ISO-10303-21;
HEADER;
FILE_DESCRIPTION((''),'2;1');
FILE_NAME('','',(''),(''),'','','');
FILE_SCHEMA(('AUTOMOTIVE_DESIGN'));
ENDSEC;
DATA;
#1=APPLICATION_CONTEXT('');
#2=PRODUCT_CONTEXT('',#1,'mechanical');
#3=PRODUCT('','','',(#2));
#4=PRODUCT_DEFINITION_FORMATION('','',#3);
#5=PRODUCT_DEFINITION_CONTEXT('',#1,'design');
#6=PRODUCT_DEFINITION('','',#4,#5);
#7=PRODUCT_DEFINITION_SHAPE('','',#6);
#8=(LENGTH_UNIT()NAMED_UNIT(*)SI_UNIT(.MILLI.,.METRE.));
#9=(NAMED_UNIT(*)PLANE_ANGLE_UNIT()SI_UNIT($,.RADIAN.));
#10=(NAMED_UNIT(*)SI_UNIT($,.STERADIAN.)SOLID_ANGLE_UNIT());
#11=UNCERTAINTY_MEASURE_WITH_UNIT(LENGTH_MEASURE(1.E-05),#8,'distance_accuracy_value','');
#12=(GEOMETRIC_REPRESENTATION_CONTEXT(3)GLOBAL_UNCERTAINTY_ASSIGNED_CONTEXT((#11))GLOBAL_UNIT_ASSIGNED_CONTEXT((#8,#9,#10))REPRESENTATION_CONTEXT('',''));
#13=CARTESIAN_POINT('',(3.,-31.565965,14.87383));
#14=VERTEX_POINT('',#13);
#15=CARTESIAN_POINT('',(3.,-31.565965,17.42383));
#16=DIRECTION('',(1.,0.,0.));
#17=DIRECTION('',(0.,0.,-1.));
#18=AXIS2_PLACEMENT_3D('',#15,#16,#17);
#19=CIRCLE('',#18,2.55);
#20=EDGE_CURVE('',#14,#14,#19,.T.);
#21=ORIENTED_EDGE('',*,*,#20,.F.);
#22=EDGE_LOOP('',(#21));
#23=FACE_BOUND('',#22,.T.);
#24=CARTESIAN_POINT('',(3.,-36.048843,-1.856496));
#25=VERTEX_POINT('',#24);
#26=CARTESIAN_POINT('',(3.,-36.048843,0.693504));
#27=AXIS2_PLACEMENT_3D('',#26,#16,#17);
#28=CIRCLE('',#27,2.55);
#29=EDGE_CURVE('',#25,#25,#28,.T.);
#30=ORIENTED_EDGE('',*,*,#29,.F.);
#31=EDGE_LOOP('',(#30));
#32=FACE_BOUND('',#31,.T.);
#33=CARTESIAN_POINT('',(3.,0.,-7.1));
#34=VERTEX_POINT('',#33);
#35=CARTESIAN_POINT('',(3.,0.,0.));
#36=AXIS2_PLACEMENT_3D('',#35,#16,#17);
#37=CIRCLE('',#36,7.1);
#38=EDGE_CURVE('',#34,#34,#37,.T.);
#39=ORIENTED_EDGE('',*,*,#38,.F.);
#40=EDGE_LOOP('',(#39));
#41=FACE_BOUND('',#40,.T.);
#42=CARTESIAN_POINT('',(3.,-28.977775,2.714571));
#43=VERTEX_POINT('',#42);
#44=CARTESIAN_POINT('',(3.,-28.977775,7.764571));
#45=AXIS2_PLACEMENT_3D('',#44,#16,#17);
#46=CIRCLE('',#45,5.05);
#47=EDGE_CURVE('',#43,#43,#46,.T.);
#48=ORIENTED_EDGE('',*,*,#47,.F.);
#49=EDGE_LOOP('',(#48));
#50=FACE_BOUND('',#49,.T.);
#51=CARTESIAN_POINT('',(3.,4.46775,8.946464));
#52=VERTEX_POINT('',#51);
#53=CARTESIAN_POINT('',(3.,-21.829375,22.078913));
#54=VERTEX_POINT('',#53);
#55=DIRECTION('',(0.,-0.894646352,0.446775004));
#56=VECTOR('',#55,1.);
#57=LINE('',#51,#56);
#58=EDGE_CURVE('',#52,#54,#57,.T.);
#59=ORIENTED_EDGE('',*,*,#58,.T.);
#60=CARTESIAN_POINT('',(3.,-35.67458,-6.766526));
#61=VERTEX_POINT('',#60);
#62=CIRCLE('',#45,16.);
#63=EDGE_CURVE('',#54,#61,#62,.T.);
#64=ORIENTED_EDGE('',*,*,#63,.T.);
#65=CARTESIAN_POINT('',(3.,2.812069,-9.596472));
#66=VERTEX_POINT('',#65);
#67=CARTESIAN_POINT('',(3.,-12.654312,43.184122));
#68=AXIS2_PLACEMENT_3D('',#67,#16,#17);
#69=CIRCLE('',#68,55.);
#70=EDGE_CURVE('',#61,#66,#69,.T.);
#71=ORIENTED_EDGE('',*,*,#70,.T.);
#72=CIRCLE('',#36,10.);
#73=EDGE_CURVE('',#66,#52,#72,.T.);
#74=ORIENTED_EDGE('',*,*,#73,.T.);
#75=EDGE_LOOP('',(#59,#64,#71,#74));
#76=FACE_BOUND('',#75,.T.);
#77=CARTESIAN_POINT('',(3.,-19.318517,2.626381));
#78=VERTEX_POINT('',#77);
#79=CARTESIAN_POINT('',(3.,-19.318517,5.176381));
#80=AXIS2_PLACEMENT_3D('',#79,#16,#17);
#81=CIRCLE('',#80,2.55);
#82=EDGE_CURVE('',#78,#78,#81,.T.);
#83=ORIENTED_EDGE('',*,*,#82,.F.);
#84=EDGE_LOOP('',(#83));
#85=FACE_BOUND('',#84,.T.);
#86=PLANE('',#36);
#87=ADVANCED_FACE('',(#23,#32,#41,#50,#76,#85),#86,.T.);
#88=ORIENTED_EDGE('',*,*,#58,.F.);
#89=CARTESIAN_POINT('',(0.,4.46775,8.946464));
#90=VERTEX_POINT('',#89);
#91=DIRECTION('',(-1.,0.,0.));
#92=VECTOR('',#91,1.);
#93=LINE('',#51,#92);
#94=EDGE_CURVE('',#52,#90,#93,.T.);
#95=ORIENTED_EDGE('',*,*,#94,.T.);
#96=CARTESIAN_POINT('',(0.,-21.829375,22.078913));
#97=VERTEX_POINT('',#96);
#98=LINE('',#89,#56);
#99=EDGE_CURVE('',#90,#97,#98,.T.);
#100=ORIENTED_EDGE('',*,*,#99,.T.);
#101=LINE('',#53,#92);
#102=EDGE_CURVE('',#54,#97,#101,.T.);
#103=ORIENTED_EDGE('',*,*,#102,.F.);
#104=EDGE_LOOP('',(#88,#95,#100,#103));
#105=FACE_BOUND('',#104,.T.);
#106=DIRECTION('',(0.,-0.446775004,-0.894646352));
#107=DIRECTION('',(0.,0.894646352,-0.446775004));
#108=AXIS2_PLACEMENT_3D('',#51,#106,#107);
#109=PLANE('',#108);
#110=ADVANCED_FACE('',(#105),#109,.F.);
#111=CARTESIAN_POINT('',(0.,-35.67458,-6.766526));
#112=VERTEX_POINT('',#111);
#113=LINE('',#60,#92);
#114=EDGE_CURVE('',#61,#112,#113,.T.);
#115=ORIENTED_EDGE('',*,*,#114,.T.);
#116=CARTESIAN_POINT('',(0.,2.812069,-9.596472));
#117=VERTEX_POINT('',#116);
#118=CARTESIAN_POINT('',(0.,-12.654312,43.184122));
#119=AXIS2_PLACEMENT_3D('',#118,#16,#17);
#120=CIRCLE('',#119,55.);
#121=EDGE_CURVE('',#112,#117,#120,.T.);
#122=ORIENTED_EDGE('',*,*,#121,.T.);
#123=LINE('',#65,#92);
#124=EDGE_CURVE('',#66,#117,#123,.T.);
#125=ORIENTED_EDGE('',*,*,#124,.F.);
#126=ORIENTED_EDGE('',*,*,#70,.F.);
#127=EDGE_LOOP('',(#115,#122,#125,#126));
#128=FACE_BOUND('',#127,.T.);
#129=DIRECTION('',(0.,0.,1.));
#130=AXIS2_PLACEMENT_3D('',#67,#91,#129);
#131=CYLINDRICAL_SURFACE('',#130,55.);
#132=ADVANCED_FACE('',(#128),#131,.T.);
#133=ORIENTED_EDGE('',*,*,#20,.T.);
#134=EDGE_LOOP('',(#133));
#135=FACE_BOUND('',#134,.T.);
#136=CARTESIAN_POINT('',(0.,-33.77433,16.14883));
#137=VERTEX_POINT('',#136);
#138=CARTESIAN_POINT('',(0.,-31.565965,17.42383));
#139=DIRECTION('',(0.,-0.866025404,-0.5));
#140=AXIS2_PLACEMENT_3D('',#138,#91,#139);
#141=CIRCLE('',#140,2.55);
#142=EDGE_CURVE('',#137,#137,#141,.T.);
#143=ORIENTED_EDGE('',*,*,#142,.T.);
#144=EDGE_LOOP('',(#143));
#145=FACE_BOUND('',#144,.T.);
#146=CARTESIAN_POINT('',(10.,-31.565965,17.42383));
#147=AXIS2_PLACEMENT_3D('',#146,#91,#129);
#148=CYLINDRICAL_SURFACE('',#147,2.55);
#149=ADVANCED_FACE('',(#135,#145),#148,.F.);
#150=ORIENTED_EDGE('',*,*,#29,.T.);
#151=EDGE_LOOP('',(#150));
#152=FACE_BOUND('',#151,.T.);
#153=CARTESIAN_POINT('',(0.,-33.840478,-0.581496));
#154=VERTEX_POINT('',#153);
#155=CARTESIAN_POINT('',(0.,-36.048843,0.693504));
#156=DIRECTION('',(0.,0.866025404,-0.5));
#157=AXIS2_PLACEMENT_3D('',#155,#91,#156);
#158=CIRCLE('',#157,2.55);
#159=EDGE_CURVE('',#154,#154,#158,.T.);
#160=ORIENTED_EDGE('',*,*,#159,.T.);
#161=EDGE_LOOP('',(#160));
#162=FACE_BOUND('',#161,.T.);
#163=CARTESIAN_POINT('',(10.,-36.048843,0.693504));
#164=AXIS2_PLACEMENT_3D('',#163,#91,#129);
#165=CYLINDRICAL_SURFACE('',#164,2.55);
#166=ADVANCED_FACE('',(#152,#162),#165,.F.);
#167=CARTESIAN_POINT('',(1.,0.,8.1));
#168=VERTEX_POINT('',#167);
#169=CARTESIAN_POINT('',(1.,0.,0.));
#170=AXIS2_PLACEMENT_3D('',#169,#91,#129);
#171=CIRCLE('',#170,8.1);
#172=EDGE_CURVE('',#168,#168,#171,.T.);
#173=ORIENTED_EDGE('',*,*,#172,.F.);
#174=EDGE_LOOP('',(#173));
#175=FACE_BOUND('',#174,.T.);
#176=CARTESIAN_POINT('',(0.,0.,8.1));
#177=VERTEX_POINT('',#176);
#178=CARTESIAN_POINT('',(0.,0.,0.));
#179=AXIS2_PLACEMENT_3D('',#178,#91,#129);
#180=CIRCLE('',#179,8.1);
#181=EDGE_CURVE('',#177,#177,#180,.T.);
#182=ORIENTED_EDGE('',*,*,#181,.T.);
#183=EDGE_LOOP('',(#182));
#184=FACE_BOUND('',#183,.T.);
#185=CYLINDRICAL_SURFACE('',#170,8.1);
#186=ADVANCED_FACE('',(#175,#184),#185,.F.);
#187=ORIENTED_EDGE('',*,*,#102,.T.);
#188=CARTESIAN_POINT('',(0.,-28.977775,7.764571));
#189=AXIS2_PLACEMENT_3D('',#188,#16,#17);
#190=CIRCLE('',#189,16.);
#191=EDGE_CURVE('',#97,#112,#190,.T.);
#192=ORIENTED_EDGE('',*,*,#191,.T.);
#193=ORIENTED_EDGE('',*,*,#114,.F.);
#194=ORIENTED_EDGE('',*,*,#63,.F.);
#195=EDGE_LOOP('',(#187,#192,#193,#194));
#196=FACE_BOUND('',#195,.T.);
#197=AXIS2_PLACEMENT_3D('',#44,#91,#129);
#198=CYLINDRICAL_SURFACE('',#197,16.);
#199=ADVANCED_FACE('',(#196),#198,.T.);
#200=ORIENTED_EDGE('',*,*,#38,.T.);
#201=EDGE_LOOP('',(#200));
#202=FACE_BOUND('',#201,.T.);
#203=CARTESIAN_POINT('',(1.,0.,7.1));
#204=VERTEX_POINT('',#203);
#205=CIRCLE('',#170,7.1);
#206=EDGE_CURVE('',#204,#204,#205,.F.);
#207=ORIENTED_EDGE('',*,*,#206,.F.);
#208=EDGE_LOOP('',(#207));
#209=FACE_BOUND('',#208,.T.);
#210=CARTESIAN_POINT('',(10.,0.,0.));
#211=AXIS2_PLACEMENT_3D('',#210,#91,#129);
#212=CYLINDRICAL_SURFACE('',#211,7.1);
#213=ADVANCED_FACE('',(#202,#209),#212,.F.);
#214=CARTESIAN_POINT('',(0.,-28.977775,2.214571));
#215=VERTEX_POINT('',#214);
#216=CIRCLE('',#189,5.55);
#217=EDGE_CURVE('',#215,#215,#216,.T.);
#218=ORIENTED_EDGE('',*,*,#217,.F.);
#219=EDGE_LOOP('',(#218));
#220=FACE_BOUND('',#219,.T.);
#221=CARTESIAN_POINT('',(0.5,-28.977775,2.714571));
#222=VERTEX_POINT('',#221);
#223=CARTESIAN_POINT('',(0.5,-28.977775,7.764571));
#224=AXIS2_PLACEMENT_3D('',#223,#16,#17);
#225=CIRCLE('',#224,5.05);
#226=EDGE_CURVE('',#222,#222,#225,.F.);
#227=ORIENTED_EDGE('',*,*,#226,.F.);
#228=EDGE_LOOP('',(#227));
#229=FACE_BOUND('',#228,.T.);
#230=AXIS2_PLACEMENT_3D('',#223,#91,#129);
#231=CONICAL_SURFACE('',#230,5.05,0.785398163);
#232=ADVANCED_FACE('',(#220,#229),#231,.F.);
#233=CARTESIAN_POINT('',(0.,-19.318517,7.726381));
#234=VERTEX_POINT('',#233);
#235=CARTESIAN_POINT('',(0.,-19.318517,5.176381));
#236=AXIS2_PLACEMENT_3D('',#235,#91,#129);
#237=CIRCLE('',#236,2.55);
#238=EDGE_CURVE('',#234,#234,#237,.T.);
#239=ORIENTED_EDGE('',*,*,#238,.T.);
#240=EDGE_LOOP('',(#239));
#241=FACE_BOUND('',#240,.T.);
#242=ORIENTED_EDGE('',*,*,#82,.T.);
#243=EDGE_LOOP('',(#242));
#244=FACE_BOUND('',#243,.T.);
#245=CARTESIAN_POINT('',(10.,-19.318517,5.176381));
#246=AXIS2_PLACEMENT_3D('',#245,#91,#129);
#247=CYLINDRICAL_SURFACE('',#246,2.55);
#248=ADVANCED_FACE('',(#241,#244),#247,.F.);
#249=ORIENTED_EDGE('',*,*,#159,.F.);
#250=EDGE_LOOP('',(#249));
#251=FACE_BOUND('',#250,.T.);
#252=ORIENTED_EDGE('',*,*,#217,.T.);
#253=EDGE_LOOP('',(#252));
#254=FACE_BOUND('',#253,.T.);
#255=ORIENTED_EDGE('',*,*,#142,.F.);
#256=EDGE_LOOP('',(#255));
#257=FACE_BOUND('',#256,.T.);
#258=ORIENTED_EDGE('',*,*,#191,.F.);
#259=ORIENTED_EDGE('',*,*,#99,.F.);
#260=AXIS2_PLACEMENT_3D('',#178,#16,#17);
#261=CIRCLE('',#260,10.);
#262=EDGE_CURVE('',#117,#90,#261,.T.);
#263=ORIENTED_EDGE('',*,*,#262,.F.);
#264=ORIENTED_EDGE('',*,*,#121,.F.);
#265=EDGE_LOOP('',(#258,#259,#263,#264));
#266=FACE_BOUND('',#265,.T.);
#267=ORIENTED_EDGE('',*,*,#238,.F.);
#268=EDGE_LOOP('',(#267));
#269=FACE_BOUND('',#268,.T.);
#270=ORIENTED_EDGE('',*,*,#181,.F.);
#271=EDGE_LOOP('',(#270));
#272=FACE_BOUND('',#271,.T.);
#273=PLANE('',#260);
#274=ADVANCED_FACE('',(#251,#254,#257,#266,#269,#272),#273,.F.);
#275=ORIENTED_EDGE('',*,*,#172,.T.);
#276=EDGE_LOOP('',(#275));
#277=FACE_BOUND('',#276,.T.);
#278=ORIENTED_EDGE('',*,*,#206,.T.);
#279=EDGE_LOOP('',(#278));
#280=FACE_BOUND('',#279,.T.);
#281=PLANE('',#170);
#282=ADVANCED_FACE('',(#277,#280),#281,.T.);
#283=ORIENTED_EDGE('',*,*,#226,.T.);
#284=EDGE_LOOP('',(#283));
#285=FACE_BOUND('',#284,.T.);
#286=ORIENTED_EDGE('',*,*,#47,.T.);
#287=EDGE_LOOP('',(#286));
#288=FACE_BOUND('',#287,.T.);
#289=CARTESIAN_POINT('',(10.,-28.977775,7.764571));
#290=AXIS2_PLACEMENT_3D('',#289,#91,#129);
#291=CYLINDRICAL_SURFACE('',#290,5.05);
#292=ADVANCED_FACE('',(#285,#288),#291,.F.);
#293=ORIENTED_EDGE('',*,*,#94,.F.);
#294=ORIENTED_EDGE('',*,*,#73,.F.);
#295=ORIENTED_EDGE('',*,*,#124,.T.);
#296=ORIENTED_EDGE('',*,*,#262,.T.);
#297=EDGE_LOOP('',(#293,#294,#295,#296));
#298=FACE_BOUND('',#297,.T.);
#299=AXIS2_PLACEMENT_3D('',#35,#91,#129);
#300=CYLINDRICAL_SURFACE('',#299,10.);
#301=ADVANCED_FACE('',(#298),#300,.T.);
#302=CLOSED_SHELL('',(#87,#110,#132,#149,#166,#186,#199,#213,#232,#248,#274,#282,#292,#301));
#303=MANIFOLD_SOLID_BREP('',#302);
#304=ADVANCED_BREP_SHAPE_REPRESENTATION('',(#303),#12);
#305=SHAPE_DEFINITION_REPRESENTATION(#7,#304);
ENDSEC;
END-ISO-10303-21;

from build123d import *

# Parameters (mm, degrees)
EXTRUDE_1_DEPTH          = 3
SKETCH_2_R               = 7.1
SKETCH_2_R_2             = 5.05
CUT_EXTRUDE_1_DEPTH      = 10
SKETCH_3_R               = 2.55
CUT_EXTRUDE_2_DEPTH      = 10
PATTERN_CIRCULAR_1_COUNT = 3
CHAMFER_1_SIZE           = 0.5
SKETCH_4_R               = 8.1
CUT_EXTRUDE_3_DEPTH      = 1


with BuildPart() as part:
    # 草图1 → 凸台-拉伸1 (new body)
    with BuildSketch(Plane(origin=(0, 0, 0), x_dir=(0, 0, -1), z_dir=(1, 0, 0))):
        with BuildLine():
            ThreePointArc((6.766526321, -35.674580026), (11.667792815, -16.687604516), (9.596471541, 2.812069339))
            ThreePointArc((9.596471541, 2.812069339), (0.889352151, 9.960374127), (-8.946463525, 4.467750037))
            Line((-8.946463525, 4.467750037), (-22.078912993, -21.829374729))
            ThreePointArc((-22.078912993, -21.829374729), (-14.688022315, -43.402261843), (6.766526321, -35.674580026))
        make_face()
    extrude(amount=EXTRUDE_1_DEPTH)

    # 草图2 → 切除-拉伸1 (cut)
    with BuildSketch(Plane.ZY):
        Circle(SKETCH_2_R)
        with Locations((7.764571353, -28.977774789)):
            Circle(SKETCH_2_R_2)
    extrude(amount=-CUT_EXTRUDE_1_DEPTH, mode=Mode.SUBTRACT)

    # 草图3 → 切除-拉伸2 (cut)
    with BuildSketch(Plane.ZY):
        with Locations((5.176380902, -19.318516526)):
            Circle(SKETCH_3_R)
    cut_extrude_2 = extrude(amount=-CUT_EXTRUDE_2_DEPTH, mode=Mode.SUBTRACT)

    # 阵列(圆周)1: 切除-拉伸2 ×3 about axis
    pattern_circular_1_axis = Axis((0, -28.977774789, 7.764571353), (1, 0, 0))
    for i in range(1, PATTERN_CIRCULAR_1_COUNT):
        add(cut_extrude_2.rotate(pattern_circular_1_axis, i * 360 / PATTERN_CIRCULAR_1_COUNT), mode=Mode.SUBTRACT)

    # 倒角1
    chamfer_1_edges = [part.edges().sort_by_distance(p)[0] for p in [
        (0, -28.977774789, 2.714571353),
    ]]
    chamfer(chamfer_1_edges, length=CHAMFER_1_SIZE)

    # 草图4 → 切除-拉伸3 (cut)
    with BuildSketch(Plane.ZY):
        Circle(SKETCH_4_R)
    extrude(amount=-CUT_EXTRUDE_3_DEPTH, mode=Mode.SUBTRACT)


solid = part.part
